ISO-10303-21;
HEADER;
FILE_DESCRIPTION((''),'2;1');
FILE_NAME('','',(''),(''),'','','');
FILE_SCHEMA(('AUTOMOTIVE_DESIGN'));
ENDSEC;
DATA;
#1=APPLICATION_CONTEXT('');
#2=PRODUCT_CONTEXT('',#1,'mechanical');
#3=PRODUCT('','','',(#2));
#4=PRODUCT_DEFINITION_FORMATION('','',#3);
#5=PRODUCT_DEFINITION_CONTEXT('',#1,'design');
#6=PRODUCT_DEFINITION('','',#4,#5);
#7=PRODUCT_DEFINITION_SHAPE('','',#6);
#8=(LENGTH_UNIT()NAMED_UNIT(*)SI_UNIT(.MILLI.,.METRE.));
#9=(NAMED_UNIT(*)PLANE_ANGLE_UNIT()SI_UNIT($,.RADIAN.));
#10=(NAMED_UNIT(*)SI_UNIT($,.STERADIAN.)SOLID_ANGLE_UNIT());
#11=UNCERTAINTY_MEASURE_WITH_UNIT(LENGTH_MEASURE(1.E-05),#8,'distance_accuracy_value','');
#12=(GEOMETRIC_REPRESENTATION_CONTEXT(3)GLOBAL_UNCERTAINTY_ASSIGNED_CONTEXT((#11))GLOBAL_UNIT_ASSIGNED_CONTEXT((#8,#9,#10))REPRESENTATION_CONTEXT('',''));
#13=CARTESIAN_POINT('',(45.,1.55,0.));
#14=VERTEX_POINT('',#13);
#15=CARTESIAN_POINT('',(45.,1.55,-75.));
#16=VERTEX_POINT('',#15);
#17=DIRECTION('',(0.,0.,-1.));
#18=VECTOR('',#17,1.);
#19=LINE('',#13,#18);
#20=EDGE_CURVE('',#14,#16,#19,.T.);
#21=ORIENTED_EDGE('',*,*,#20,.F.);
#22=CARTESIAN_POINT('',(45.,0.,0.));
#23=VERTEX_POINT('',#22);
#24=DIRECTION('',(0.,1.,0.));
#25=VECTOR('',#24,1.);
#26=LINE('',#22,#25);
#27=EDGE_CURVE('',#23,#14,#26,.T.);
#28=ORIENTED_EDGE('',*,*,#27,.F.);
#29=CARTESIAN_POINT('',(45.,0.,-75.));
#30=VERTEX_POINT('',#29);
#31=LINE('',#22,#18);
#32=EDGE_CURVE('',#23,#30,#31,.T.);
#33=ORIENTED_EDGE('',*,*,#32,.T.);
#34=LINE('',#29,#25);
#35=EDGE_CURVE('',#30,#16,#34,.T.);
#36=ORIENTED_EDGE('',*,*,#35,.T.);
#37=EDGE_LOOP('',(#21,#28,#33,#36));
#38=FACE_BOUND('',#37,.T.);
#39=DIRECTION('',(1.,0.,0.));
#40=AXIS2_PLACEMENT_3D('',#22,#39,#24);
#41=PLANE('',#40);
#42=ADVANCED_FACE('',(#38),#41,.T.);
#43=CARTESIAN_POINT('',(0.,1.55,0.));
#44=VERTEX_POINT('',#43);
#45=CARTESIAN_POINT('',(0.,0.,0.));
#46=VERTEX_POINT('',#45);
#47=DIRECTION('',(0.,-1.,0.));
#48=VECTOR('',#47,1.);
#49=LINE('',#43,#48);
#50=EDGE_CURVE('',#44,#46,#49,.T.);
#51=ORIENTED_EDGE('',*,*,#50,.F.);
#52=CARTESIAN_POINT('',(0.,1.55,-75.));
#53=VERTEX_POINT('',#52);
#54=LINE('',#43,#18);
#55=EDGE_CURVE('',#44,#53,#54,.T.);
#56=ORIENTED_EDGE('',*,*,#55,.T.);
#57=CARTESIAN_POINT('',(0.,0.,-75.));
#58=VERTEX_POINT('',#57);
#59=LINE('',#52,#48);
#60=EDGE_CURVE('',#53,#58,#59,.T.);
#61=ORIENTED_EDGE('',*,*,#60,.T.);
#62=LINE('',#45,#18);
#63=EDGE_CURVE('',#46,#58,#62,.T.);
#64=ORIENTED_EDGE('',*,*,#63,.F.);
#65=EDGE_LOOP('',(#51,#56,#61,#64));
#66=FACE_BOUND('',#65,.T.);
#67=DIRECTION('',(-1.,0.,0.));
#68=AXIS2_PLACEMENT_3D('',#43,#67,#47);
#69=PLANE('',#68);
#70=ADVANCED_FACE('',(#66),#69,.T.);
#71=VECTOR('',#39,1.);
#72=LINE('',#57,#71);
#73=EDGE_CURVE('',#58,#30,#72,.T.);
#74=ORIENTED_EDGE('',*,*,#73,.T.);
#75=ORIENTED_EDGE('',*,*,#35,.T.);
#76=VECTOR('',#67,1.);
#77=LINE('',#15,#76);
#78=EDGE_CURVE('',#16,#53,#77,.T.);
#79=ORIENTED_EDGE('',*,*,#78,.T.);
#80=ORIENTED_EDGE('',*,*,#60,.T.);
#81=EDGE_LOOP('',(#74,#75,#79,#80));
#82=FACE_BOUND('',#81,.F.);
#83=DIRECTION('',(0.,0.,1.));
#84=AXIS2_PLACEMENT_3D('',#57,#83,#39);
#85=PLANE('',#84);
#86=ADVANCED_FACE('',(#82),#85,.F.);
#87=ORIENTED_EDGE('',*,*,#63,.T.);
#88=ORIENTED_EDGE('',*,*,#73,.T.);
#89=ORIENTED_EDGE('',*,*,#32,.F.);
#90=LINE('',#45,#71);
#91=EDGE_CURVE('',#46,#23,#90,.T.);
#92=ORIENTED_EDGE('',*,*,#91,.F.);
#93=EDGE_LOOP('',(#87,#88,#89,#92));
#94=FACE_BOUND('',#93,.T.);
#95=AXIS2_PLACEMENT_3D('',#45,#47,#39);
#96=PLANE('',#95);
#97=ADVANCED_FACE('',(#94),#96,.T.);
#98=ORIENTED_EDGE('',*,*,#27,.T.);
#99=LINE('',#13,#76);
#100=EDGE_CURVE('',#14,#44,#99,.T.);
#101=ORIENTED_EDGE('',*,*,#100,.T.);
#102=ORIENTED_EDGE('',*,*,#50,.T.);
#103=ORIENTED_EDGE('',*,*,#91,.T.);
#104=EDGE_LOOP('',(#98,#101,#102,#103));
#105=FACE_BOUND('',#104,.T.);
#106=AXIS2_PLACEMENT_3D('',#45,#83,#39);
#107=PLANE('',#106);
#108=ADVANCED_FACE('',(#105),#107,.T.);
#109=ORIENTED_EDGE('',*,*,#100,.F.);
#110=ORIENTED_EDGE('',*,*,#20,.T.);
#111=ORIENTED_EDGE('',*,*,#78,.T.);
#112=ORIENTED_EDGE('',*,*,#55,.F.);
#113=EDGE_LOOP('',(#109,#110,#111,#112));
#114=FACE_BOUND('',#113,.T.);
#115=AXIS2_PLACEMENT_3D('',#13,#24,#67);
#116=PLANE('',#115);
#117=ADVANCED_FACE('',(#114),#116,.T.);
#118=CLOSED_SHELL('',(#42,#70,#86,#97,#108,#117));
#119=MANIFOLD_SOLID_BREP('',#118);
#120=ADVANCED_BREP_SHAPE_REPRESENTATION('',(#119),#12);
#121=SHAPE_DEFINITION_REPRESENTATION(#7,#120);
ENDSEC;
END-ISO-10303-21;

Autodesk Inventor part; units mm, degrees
ref_plane "YZ Plane" through (0, 0, 0) normal (1, 0, 0) x (0, 1, 0)
ref_plane "XZ Plane" through (0, 0, 0) normal (0, 1, 0) x (-1, 0, 0)
ref_plane "XY Plane" through (0, 0, 0) normal (0, 0, 1) x (1, 0, 0)
sketch "Sketch1" plane through (0, 0, 0) normal (0, 0, 1) x (1, 0, 0)
  line L0 (0, 0) -> (45, 0)
  line L1 (45, 0) -> (45, 1.55)
  line L2 (45, 1.55) -> (0, 1.55)
  line L3 (0, 1.55) -> (0, 0)
  dimension "d0" = 45
  dimension "d1" = 1.55
extrude "Extrusion1" add sketch "Sketch1" against normal blind 75
sketch "Sketch2" plane through (0, 1.55, 0) normal (0, 1, 0) x (1, 0, 0)
  line L0 (45, 75) -> (0, 75) projected
  line L1 (0.7554, 1.8482) -> (0.7554, 71.8482) construction
  line L2 (0.7554, 71.8482) -> (44.1554, 71.8482) construction
  line L3 (44.1554, 71.8482) -> (44.1554, 1.8482) construction
  line L4 (44.1554, 1.8482) -> (0.7554, 1.8482) construction
  point P0 (0, 0)
properties part number "PCB"
